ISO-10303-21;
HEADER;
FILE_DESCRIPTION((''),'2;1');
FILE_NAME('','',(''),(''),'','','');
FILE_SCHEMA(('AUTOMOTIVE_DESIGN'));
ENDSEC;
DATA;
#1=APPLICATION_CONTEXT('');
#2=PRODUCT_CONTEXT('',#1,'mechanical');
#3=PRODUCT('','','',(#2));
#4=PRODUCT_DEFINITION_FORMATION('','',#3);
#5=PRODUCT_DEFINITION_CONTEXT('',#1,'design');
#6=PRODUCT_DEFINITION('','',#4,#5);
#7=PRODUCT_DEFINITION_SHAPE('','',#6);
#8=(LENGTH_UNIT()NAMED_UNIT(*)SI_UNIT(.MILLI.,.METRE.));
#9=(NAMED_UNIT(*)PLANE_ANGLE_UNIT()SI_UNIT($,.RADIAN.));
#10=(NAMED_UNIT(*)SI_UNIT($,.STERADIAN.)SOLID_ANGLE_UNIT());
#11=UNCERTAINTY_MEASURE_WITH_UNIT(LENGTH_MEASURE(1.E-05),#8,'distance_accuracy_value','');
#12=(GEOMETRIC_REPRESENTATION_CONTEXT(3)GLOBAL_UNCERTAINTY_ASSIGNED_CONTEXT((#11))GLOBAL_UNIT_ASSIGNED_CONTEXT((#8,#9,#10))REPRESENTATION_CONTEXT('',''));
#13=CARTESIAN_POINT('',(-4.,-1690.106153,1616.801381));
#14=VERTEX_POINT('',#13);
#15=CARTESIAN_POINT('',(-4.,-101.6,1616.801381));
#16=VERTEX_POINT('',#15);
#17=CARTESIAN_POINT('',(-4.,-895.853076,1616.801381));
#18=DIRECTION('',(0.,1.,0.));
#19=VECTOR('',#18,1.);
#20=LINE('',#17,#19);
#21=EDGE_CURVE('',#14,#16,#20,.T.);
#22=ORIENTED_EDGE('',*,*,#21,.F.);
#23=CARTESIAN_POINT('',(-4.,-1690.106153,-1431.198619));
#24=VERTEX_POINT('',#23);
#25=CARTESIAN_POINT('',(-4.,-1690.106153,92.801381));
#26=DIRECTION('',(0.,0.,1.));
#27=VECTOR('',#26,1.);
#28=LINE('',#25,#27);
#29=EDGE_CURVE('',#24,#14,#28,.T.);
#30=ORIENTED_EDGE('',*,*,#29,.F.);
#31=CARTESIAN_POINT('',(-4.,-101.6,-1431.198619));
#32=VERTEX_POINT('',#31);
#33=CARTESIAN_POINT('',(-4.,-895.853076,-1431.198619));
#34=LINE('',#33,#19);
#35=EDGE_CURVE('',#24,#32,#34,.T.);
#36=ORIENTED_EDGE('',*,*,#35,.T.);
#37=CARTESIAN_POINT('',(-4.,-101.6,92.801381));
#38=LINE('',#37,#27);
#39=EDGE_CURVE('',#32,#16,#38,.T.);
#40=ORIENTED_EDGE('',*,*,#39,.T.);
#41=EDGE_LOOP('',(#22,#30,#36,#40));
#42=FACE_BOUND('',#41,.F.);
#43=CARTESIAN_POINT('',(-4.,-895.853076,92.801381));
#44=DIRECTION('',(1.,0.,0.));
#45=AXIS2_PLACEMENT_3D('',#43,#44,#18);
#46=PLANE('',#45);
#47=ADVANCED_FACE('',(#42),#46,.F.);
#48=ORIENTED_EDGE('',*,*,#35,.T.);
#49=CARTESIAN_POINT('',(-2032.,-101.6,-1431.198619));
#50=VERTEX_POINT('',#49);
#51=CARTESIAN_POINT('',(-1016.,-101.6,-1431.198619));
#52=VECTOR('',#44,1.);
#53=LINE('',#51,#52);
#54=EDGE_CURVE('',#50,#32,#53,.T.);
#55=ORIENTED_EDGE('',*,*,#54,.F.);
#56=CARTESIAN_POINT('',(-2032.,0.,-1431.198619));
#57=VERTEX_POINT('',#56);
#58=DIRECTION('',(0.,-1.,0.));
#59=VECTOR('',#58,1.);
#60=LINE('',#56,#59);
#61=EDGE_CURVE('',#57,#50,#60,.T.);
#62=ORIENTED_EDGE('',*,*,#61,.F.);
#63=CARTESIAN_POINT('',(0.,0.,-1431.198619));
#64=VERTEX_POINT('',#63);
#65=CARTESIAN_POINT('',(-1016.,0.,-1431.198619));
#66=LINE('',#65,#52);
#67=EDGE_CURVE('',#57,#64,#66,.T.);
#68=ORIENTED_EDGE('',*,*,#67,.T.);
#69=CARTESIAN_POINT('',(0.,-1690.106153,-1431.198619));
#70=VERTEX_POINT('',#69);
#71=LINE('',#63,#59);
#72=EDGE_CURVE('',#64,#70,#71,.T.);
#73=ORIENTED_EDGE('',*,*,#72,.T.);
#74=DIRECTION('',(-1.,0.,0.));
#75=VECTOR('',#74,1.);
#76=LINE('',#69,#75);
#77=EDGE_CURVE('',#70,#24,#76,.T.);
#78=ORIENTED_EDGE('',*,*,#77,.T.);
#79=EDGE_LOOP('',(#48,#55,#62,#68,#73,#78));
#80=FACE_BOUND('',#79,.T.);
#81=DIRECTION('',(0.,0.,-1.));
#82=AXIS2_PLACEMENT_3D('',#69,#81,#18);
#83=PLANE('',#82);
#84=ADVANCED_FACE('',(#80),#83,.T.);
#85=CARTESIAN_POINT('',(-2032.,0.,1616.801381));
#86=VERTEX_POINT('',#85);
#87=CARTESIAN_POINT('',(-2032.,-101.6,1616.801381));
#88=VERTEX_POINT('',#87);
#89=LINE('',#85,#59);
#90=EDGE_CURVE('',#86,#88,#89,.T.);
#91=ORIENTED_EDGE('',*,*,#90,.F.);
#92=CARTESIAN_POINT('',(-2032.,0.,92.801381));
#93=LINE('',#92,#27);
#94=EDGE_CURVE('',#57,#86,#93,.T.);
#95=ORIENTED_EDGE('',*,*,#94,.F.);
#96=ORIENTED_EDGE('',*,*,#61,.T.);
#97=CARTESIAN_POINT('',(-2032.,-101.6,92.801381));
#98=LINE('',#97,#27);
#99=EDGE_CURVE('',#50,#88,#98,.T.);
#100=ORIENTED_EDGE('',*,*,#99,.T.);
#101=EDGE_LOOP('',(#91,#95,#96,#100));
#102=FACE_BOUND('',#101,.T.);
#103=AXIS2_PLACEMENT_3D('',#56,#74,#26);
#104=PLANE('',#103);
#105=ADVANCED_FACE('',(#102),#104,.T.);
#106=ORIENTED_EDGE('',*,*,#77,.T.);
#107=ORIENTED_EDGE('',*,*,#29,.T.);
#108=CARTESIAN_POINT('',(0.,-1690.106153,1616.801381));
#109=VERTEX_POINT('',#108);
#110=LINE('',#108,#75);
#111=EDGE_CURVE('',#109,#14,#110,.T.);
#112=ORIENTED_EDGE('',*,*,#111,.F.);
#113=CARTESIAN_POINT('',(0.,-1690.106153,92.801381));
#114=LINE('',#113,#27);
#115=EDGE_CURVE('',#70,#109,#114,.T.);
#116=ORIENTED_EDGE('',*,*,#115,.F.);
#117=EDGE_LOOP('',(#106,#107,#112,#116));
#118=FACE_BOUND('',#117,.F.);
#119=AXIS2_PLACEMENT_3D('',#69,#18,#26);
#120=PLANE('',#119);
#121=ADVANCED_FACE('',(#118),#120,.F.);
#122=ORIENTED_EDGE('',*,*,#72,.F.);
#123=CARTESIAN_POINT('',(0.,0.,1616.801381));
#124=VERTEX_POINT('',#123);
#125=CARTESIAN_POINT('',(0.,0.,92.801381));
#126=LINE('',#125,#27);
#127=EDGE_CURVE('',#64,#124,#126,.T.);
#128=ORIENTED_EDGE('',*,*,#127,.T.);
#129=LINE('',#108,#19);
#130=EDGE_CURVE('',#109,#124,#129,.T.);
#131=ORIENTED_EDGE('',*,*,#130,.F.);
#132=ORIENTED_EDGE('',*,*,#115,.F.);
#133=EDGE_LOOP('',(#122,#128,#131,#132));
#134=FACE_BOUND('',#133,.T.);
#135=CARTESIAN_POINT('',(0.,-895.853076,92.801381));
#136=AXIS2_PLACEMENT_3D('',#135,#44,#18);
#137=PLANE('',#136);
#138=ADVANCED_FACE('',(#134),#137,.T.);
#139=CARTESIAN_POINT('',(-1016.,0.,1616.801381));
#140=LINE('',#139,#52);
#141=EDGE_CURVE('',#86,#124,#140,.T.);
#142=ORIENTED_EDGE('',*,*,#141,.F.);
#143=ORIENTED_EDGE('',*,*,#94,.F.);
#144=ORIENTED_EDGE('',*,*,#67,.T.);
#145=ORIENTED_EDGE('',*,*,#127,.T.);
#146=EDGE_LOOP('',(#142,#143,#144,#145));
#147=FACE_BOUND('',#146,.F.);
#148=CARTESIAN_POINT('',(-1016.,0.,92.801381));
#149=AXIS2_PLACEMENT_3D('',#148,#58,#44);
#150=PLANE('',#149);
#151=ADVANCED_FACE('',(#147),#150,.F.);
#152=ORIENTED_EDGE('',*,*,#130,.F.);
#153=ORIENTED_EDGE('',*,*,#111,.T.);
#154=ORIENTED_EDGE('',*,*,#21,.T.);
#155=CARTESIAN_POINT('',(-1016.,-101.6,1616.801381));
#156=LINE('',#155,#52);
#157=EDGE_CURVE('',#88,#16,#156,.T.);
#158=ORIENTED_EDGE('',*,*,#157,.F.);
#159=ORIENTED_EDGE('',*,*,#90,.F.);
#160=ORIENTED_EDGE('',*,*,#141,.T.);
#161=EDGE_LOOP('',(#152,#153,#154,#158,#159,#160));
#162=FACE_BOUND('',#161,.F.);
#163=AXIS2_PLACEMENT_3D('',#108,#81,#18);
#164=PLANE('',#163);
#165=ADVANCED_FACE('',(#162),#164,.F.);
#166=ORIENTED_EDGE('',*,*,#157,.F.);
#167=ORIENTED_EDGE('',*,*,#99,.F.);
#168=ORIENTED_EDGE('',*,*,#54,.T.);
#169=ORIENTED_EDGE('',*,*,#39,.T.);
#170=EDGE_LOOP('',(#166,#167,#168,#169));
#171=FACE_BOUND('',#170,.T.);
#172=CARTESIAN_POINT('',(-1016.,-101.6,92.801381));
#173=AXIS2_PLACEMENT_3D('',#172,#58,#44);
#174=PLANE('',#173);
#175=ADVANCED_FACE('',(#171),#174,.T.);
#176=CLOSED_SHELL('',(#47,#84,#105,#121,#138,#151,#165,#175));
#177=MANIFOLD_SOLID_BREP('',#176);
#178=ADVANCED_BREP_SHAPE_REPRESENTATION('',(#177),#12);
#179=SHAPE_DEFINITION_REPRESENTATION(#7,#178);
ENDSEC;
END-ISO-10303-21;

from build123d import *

# Parameters (mm, degrees)
F0_W     = 2032
F0_H     = 3048
F1_DEPTH = 101.6
F2_W     = 1588.506153
F2_H     = 3048
F3_DEPTH = 4


with BuildPart() as f1:
    # F0 (on Front) → F1 (new body)
    with BuildSketch(Plane.XZ):
        with Locations((-1016, 92.801381)):
            Rectangle(F0_W, F0_H)
    extrude(amount=F1_DEPTH)

    # F2 (on face) → F3 (join)
    with BuildSketch(Plane.YZ):
        with Locations((-895.853076, 92.801381)):
            Rectangle(F2_W, F2_H)
    extrude(amount=-F3_DEPTH)


solid = f1.part
